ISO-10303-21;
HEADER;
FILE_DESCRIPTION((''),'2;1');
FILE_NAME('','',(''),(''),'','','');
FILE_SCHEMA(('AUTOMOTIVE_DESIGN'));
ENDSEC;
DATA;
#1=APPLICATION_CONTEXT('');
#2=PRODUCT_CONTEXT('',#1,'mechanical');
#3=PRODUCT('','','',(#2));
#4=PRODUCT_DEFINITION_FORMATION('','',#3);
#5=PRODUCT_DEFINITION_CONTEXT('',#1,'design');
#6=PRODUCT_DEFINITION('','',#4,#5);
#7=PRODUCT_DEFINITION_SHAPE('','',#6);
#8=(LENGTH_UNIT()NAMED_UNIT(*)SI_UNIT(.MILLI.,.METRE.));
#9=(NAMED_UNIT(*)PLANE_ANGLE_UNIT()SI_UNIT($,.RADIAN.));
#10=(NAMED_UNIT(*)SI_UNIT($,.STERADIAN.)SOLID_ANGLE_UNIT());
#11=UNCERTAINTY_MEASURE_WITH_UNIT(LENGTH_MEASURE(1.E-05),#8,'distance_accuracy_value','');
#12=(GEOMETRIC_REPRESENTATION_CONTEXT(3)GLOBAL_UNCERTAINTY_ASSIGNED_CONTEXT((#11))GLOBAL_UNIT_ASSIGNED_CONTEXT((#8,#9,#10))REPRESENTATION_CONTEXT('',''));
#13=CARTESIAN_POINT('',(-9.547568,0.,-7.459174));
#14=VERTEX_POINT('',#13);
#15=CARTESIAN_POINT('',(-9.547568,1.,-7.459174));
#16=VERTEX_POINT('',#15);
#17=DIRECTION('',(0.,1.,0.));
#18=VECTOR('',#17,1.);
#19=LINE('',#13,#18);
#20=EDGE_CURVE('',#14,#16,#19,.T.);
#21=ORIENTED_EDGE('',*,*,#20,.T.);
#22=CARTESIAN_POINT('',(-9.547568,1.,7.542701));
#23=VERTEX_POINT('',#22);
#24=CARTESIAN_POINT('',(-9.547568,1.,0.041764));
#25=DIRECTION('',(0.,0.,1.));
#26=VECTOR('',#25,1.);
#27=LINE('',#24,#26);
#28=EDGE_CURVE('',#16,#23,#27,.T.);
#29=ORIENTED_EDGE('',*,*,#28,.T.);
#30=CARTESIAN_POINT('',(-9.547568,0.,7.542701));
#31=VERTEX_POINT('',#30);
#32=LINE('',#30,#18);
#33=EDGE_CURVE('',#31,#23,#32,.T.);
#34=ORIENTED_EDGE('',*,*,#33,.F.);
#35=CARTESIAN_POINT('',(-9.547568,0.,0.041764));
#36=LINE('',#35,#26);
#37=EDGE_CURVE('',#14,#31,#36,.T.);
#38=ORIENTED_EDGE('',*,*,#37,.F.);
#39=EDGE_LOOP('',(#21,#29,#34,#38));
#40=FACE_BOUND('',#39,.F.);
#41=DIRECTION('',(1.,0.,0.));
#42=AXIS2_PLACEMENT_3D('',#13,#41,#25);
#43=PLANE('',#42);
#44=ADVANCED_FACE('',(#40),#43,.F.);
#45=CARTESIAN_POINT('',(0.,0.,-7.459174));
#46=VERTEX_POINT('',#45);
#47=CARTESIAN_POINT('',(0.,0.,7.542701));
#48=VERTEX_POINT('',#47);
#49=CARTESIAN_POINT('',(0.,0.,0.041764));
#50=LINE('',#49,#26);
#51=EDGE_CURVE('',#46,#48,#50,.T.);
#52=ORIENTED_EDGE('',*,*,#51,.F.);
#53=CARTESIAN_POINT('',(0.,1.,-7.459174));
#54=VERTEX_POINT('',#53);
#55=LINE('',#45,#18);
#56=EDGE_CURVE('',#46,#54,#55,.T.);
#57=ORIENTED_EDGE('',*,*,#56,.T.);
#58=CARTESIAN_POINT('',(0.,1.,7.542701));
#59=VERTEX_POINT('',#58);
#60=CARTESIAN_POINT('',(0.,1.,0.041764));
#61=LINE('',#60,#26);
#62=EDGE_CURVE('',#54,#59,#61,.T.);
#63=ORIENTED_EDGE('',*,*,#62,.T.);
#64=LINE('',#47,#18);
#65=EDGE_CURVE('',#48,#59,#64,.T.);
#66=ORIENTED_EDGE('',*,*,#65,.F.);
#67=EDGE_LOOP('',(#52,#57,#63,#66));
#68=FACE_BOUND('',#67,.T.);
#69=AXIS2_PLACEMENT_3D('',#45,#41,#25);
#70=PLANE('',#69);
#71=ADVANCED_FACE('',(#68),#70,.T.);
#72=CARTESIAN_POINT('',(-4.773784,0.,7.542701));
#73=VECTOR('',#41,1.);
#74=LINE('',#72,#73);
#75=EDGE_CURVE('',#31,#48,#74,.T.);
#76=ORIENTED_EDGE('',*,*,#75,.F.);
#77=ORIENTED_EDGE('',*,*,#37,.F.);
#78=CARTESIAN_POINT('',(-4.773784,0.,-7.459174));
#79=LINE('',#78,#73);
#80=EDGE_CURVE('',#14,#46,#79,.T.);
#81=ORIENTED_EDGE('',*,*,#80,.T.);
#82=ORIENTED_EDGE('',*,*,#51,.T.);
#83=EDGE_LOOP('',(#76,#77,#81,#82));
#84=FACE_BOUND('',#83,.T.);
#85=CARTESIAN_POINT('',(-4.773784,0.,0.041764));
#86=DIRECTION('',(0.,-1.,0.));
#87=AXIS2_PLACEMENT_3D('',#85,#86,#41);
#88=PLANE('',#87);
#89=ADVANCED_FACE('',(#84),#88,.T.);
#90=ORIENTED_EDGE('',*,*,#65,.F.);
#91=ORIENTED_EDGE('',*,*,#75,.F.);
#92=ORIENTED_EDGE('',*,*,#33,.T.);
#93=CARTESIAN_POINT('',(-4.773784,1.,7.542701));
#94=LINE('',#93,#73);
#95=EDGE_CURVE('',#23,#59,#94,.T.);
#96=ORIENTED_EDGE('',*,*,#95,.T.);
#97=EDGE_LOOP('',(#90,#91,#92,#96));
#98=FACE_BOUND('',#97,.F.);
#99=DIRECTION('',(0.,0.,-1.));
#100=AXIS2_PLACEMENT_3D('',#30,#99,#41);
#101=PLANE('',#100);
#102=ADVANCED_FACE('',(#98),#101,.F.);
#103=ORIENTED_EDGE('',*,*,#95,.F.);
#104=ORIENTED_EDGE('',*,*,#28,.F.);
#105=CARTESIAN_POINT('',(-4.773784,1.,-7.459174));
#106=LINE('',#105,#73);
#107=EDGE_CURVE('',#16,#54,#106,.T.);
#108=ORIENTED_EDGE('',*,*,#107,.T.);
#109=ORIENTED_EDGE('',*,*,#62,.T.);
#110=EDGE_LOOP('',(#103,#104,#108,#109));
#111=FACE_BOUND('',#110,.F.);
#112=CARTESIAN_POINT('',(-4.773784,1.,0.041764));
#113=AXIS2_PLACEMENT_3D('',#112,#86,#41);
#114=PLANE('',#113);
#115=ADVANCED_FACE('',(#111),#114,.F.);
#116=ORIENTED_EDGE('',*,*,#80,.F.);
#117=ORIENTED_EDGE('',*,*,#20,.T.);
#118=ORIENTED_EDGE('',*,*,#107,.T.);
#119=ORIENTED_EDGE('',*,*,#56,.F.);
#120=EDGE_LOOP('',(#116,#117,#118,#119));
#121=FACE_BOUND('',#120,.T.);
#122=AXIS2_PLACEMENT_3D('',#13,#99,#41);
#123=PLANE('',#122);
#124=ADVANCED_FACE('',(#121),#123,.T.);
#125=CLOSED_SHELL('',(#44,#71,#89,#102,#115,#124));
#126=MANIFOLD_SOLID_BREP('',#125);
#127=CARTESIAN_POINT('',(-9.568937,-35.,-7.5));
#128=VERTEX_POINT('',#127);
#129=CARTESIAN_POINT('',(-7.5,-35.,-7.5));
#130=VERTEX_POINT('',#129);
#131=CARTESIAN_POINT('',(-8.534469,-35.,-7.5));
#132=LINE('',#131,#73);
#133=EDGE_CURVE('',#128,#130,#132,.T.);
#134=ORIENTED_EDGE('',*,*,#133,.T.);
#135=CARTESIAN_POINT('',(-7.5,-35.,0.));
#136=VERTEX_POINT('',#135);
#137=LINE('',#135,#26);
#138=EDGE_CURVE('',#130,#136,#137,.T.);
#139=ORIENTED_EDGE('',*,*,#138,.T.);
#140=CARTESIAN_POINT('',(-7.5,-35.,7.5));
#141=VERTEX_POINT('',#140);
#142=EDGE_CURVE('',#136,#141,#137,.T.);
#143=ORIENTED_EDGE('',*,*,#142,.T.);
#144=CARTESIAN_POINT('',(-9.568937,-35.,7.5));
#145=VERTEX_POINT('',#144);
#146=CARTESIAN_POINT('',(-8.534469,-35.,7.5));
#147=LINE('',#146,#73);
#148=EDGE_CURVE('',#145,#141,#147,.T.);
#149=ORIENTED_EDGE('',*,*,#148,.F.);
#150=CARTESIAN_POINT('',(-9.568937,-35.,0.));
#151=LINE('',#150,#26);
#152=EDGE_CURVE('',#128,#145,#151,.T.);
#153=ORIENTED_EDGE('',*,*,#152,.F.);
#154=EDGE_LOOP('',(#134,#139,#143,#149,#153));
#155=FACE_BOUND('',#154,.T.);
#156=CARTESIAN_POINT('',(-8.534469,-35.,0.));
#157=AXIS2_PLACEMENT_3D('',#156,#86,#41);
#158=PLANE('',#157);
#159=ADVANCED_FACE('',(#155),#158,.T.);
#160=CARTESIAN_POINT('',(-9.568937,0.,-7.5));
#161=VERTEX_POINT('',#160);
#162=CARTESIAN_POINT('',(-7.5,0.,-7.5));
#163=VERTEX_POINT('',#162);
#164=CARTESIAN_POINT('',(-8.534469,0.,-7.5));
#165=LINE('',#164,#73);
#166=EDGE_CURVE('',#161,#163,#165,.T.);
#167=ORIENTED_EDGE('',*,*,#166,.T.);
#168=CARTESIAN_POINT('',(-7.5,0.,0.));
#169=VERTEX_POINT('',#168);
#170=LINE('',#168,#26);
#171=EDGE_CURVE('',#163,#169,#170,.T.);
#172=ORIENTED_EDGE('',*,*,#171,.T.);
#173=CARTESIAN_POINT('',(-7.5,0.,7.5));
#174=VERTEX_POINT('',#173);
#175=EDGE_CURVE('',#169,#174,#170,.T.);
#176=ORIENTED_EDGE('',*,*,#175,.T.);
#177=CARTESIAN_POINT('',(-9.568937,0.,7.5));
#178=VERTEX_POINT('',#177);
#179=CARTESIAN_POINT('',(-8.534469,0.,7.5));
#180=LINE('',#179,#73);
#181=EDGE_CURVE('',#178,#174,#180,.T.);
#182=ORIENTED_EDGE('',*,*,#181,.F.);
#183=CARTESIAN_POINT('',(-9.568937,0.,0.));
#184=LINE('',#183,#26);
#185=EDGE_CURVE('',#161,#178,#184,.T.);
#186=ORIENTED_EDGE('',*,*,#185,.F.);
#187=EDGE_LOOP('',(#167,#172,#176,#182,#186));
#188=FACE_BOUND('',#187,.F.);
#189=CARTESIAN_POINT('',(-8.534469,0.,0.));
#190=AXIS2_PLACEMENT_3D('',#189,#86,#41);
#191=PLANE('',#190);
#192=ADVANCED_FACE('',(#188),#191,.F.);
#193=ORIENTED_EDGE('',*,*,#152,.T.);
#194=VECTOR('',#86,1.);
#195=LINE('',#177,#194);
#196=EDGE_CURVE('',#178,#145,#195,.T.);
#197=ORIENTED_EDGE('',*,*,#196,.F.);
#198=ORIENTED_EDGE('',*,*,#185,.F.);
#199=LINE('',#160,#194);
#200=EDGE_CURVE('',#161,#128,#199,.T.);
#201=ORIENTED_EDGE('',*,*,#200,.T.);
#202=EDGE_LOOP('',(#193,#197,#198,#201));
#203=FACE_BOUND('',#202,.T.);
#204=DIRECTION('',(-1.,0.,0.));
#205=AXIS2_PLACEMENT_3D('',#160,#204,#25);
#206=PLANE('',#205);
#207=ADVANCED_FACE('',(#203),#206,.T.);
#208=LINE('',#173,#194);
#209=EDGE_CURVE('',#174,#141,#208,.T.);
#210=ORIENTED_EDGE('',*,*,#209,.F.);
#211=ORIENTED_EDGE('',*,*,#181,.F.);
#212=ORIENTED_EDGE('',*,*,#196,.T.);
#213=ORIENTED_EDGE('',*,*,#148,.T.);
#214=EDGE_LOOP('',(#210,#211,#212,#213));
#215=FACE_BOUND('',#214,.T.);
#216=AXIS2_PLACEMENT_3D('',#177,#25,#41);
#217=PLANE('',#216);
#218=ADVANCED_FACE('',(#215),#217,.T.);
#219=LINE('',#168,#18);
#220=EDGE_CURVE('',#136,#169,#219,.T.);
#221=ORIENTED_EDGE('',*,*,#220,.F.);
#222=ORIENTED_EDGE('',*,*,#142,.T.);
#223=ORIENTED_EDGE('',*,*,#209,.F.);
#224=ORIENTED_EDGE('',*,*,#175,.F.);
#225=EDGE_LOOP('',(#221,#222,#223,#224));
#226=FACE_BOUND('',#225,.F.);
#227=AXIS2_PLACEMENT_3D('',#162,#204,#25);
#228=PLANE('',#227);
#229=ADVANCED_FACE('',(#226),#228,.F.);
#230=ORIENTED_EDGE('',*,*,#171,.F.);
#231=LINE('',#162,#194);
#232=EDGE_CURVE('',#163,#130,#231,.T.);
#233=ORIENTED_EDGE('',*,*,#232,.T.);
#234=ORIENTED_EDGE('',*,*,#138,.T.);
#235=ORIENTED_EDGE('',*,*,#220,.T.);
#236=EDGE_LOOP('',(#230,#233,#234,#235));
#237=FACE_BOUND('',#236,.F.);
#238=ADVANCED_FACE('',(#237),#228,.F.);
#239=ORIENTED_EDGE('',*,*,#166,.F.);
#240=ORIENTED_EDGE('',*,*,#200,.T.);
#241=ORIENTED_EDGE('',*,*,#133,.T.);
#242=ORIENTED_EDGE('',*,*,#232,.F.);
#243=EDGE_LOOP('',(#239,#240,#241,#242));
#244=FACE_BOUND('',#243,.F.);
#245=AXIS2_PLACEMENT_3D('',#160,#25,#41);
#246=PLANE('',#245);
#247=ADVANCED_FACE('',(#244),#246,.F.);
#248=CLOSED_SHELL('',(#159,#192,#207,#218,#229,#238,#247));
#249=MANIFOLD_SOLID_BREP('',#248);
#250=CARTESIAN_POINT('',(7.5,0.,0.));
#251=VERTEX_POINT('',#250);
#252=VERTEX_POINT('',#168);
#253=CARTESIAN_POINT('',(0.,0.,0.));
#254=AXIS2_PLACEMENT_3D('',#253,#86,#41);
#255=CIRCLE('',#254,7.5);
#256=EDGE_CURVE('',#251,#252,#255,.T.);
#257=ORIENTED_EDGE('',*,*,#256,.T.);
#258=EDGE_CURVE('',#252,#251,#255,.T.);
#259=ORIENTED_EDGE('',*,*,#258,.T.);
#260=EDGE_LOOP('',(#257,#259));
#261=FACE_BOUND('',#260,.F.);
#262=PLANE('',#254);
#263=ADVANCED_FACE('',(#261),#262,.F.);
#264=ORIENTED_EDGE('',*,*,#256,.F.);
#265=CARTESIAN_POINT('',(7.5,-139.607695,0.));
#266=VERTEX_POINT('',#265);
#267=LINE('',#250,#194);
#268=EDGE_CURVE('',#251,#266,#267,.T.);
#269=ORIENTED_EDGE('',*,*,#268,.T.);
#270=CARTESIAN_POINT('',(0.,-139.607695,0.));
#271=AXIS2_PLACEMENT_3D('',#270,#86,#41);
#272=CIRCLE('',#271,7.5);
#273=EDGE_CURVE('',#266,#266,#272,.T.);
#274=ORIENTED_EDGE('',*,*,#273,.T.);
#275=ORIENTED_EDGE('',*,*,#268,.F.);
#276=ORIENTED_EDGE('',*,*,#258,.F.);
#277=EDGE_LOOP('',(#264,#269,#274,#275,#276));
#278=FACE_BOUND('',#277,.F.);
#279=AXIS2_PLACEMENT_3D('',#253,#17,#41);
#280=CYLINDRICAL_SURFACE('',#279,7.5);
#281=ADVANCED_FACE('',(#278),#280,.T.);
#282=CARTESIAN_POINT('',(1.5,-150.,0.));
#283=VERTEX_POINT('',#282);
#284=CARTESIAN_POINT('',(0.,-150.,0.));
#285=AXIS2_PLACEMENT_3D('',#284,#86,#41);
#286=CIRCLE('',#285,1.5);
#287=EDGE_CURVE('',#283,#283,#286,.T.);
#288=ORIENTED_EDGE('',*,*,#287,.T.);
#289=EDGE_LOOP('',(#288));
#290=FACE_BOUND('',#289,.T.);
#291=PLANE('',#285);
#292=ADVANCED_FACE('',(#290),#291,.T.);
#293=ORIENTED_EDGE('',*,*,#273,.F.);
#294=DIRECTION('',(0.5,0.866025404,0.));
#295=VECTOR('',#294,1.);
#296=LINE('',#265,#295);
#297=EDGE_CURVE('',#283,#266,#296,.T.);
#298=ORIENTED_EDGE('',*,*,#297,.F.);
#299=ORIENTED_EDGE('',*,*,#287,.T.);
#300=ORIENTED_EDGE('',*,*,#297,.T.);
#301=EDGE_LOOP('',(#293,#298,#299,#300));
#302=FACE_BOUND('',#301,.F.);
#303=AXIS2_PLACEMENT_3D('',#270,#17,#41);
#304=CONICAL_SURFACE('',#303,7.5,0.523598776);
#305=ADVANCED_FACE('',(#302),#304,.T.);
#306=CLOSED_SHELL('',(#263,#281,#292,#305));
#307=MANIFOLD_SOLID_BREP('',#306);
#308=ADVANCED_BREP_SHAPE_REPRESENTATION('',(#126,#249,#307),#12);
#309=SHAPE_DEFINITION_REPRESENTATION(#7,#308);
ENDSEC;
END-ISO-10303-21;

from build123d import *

# Parameters (mm, degrees)
F0_R     = 7.5
F1_DEPTH = 150
F2_SIZE2 = 10.3923048454
F2_SIZE  = 6
F3_W     = 2.0689371228
F3_H     = 15
F4_DEPTH = 35
F5_W     = 9.547568392
F5_H     = 15.0018753484
F6_DEPTH = 1


with BuildPart() as f1:
    # F0 (on Front) → F1 (new body)
    with BuildSketch(Plane.XZ):
        Circle(F0_R)
    extrude(amount=F1_DEPTH)

    # F2
    f2_edges = [f1.edges().sort_by_distance(p)[0] for p in [
        (-7.5, -150, 0),
    ]]
    f2_side = f1.faces().sort_by_distance((0, -150, 0))[0]
    chamfer(f2_edges, length=F2_SIZE, length2=F2_SIZE2, reference=f2_side)

    # F3 (on Front) → F4 (join)
    with BuildSketch(Plane.XZ):
        with Locations((-8.5344685614, 0)):
            Rectangle(F3_W, F3_H)
    extrude(amount=F4_DEPTH)


with BuildPart() as f6:
    # F5 (on Front) → F6 (new body)
    with BuildSketch(Plane.XZ):
        with Locations((-4.773784196, 0.0417637639)):
            Rectangle(F5_W, F5_H)
    extrude(amount=-F6_DEPTH)


solid = Compound([f1.part, f6.part])
